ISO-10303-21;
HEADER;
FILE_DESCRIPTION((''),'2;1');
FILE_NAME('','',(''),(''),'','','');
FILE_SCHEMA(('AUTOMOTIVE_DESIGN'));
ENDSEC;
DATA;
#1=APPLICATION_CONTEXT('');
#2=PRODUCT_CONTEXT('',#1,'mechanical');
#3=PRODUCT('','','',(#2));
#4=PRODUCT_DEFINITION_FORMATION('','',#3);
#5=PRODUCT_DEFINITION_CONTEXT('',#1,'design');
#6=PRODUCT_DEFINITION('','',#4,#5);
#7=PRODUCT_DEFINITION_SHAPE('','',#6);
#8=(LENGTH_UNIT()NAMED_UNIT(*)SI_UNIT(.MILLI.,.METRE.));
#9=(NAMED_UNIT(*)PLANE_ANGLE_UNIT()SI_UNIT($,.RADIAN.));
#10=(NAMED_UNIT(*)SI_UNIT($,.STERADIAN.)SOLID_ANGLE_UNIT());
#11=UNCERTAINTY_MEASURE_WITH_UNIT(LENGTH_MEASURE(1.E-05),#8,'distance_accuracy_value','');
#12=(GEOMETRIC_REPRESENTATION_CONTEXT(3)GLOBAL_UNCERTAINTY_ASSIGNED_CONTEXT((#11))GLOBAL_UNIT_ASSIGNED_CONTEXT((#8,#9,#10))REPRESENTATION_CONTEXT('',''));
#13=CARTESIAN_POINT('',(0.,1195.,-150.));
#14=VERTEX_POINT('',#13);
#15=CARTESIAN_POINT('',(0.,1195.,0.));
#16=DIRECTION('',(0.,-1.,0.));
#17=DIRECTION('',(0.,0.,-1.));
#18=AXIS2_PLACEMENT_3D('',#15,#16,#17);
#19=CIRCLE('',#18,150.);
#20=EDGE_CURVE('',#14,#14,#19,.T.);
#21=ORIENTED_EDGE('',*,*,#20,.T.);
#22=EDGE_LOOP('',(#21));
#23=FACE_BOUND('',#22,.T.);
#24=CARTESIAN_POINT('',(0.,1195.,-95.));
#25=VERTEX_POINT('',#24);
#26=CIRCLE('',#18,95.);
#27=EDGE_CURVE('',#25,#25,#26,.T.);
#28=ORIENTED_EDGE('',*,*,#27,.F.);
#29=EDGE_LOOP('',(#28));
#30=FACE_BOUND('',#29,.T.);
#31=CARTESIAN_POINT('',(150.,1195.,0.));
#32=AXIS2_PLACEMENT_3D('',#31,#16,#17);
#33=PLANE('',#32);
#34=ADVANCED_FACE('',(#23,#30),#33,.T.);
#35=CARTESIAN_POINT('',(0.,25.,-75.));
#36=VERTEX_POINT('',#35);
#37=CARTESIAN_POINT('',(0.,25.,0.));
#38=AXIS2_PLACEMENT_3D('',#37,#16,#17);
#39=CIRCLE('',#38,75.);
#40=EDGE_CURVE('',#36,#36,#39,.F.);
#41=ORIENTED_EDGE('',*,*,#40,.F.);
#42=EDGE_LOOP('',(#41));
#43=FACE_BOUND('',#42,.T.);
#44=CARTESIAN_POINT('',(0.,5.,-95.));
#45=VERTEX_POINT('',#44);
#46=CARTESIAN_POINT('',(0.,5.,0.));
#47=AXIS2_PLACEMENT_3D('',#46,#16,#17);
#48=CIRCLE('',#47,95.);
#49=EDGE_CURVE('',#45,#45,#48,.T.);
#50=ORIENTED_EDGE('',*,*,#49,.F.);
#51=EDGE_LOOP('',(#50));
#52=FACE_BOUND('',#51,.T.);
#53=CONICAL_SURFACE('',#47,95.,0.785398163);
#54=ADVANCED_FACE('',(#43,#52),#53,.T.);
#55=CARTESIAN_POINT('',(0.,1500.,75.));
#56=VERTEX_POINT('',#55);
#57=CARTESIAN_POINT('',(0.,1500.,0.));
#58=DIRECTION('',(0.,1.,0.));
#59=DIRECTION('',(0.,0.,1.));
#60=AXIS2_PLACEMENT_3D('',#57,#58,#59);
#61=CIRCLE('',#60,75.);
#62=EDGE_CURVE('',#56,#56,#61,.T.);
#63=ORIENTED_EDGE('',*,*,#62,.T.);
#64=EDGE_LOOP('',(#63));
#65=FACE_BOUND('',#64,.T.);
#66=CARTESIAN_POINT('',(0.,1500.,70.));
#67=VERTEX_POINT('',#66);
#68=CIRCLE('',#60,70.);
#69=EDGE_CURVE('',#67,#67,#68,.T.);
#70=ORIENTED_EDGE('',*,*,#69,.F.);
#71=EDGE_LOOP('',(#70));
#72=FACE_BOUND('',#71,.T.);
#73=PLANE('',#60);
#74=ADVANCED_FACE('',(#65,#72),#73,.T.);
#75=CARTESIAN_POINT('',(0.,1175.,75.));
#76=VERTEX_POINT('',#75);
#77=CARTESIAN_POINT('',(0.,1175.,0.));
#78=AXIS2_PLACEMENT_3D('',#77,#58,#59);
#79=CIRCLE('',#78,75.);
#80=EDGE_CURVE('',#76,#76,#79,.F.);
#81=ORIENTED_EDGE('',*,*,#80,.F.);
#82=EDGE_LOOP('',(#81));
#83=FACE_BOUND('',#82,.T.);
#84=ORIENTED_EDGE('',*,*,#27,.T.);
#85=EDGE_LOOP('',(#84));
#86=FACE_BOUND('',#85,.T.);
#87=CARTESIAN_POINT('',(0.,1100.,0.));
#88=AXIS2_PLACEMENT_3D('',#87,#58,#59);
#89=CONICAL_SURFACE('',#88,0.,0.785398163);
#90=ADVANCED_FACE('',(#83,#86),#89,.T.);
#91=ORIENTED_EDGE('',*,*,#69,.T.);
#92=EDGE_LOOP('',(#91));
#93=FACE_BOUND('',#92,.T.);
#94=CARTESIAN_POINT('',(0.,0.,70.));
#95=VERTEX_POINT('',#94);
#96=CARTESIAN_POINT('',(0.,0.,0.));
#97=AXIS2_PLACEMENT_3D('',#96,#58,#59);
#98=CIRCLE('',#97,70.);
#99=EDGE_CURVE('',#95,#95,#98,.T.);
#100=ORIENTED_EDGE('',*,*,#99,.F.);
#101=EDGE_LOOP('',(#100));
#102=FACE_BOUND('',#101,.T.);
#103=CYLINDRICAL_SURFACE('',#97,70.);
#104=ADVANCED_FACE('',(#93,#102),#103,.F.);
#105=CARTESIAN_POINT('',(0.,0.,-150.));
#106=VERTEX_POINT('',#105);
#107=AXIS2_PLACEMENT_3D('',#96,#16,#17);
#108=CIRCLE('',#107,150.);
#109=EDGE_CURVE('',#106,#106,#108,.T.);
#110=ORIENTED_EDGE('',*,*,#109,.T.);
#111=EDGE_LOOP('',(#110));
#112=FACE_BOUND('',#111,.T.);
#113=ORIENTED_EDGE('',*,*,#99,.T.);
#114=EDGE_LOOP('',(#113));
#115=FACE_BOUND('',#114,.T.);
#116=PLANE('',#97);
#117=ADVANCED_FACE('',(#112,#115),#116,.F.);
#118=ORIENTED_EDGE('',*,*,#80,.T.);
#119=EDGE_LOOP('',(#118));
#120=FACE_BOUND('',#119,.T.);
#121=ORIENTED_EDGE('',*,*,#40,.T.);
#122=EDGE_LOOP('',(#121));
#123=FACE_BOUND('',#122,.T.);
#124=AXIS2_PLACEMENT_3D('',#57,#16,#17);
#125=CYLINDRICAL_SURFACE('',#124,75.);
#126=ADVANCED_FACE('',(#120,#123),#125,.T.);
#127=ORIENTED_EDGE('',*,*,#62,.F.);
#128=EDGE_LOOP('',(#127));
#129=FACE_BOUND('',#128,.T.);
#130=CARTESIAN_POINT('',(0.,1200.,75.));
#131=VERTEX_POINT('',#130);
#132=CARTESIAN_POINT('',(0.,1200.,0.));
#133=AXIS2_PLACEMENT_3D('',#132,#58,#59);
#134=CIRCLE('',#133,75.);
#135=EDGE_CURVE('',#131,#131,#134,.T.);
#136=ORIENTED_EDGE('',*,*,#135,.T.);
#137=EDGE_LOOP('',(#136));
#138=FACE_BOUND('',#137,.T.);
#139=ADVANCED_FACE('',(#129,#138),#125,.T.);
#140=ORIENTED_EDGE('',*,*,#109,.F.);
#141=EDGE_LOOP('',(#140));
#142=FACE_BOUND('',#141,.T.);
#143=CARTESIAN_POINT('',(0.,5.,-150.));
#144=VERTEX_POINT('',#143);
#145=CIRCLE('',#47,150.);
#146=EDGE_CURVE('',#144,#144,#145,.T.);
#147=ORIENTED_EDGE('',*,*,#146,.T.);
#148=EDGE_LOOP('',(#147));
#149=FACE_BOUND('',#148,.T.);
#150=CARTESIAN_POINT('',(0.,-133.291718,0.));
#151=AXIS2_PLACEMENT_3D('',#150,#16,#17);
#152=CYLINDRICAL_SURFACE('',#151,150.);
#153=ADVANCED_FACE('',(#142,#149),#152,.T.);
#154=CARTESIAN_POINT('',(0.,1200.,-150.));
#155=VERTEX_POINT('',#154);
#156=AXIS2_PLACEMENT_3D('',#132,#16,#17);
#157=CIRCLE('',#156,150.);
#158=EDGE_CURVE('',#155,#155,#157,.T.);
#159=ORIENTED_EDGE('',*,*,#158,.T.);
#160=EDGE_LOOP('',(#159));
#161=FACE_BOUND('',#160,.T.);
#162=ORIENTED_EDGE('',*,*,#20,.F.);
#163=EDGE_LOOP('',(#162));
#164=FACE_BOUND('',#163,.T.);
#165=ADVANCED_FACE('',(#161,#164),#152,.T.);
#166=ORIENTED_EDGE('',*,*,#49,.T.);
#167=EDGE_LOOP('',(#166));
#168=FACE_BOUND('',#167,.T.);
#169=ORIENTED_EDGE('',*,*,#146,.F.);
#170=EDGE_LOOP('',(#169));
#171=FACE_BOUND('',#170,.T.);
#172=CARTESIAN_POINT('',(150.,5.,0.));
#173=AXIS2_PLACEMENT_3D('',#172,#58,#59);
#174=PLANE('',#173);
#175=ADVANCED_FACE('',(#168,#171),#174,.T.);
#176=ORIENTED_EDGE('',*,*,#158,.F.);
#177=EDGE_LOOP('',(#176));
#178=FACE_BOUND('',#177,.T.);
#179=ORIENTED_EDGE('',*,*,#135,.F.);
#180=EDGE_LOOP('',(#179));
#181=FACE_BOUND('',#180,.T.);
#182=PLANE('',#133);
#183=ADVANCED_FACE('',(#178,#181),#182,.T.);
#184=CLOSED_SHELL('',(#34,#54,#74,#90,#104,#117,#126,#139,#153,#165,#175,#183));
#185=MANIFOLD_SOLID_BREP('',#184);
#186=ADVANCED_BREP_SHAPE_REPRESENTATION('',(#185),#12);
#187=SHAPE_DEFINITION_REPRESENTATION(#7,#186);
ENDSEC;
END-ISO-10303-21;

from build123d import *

# Parameters (mm, degrees)
SKETCH1_R           = 75
BOSS_EXTRUDE1_DEPTH = 1500
SKETCH3_R           = 70
CUT_EXTRUDE1_DEPTH  = 1515.925740754


with BuildPart() as part:
    # Sketch1 → Boss-Extrude1 (new body)
    with BuildSketch(Plane(origin=(0, 0, 0), x_dir=(1, 0, 0), z_dir=(0, 1, 0))):
        with Locations(Location((0, 0, 0), (0, 0, 270))):
            Circle(SKETCH1_R)
    extrude(amount=BOSS_EXTRUDE1_DEPTH)

    # Sketch2 → Revolve1 (revolve)
    with BuildSketch(Plane.XY, mode=Mode.PRIVATE) as revolve1_sk:
        Polygon((0, 0), (150, 0), (150, 5), (95, 5), (0, 100), align=None)
        Polygon((0, 1200), (150, 1200), (150, 1195), (95, 1195), (0, 1100), align=None)
    revolve(revolve1_sk.sketch.rotate(Axis((0, -133.291718303, 0), (0, 1, 0)), 90), axis=Axis((0, -133.291718303, 0), (0, 1, 0)))

    # Sketch3 → Cut-Extrude1 (cut, through all)
    with BuildSketch(Plane(origin=(0, 1500, 0), x_dir=(1, 0, 0), z_dir=(0, 1, 0))):
        with Locations(Location((0, 0, 0), (0, 0, 270))):
            Circle(SKETCH3_R)
    extrude(amount=-CUT_EXTRUDE1_DEPTH, mode=Mode.SUBTRACT)


solid = part.part
